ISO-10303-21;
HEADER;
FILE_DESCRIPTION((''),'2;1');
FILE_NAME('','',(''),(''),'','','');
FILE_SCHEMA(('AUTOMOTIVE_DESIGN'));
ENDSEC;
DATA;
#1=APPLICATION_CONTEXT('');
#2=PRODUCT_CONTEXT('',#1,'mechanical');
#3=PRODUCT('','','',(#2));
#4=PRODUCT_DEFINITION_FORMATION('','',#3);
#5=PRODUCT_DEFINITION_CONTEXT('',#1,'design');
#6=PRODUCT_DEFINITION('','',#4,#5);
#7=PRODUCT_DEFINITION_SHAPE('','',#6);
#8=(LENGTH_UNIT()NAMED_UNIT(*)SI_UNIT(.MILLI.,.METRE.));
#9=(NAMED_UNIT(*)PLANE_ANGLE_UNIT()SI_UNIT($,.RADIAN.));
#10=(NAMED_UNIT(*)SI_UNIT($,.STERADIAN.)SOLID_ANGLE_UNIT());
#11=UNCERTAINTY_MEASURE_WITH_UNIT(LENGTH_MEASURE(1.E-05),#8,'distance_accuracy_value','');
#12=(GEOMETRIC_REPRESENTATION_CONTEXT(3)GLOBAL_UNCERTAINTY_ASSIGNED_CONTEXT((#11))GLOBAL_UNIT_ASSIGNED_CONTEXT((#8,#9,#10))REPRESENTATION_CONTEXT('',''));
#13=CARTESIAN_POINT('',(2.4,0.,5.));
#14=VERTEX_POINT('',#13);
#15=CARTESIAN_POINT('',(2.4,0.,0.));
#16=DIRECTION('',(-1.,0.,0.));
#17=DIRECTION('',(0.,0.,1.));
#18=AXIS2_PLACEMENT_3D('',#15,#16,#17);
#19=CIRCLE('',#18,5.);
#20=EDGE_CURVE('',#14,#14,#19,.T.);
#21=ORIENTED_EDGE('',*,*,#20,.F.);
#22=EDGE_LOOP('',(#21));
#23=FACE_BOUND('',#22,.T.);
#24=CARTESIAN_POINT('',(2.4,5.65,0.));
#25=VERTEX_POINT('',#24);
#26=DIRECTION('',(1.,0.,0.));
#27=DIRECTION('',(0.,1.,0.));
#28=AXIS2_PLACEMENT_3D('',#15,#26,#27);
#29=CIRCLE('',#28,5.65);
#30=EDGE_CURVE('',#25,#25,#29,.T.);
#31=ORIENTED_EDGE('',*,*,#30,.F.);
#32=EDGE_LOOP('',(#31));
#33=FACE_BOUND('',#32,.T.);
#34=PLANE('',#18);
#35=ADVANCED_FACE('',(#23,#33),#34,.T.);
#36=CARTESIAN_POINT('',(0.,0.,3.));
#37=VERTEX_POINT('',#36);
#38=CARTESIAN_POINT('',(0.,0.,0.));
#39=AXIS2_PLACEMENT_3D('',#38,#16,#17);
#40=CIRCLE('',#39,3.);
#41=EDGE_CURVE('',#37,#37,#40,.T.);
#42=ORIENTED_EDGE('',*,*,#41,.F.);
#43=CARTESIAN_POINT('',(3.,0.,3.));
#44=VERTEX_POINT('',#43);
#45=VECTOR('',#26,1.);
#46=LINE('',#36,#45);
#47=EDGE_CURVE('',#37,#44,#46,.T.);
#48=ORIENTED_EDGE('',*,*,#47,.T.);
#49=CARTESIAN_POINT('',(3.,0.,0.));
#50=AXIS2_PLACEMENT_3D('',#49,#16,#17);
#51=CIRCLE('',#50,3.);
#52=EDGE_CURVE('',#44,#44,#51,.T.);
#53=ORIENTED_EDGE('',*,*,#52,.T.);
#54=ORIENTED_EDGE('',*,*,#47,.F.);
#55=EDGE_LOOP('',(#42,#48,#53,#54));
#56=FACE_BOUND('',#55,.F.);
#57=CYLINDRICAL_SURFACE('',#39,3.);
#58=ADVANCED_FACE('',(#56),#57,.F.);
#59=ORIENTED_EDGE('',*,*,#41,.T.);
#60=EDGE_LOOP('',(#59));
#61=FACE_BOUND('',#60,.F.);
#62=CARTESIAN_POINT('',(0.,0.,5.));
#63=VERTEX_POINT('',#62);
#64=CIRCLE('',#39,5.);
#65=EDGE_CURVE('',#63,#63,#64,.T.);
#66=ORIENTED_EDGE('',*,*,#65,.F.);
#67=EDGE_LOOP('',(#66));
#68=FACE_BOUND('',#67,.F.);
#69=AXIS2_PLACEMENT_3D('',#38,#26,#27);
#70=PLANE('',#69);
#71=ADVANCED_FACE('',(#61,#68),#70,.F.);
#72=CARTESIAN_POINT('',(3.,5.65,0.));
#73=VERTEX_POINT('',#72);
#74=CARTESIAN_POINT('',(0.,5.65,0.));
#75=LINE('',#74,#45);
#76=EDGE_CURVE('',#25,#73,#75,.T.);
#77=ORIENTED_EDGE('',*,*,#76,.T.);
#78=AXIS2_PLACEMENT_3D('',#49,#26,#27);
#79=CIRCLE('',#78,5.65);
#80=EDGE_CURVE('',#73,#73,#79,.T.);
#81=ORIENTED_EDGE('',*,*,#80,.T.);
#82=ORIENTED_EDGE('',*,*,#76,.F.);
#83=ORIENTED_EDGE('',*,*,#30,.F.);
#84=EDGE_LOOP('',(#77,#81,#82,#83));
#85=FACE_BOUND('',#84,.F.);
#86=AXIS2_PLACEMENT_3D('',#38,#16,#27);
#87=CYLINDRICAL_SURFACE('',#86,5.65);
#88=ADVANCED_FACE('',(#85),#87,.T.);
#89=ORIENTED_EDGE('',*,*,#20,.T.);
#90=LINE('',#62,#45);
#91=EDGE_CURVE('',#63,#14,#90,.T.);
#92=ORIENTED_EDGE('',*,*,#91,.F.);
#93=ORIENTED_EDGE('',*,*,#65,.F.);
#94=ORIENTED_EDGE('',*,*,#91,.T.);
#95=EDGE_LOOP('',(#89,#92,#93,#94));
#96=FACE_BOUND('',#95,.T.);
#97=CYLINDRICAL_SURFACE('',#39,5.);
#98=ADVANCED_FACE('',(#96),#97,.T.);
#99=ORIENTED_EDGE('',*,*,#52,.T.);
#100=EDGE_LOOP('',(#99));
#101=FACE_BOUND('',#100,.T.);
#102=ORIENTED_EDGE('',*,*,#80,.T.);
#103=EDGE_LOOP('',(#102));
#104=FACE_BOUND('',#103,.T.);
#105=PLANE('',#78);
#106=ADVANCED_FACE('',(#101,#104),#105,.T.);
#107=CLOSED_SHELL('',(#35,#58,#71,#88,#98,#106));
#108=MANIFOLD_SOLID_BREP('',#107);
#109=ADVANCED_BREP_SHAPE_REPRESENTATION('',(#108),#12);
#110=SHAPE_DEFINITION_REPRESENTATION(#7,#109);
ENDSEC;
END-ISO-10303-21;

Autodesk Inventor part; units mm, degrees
ref_plane "YZ Plane" through (0, 0, 0) normal (1, 0, 0) x (0, 1, 0)
ref_plane "XZ Plane" through (0, 0, 0) normal (0, 1, 0) x (-1, 0, 0)
ref_plane "XY Plane" through (0, 0, 0) normal (0, 0, 1) x (1, 0, 0)
sketch "スケッチ1" plane through (0, 0, 0) normal (1, 0, 0) x (0, 1, 0)
  circle A0 centre (0, 0) radius 5.65
  dimension "d0" = 11.3
extrude "押し出し1" add sketch "スケッチ1" along normal blind 3
sketch "スケッチ2" plane through (0, 0, 0) normal (-1, 0, 0) x (0, 0, 1)
  circle A0 centre (0, 0) radius 5
  circle A1 centre (0, 0) radius 5.65
  dimension "d3" = 10
extrude "押し出し2" cut sketch "スケッチ2" against normal blind 2.4
sketch "スケッチ3" plane through (0, 0, 0) normal (-1, 0, 0) x (0, 0, 1)
  circle A0 centre (0, 0) radius 3
  dimension "d6" = 6
extrude "押し出し3" cut sketch "スケッチ3" against normal blind 3
properties part number "6mmベアリング"
